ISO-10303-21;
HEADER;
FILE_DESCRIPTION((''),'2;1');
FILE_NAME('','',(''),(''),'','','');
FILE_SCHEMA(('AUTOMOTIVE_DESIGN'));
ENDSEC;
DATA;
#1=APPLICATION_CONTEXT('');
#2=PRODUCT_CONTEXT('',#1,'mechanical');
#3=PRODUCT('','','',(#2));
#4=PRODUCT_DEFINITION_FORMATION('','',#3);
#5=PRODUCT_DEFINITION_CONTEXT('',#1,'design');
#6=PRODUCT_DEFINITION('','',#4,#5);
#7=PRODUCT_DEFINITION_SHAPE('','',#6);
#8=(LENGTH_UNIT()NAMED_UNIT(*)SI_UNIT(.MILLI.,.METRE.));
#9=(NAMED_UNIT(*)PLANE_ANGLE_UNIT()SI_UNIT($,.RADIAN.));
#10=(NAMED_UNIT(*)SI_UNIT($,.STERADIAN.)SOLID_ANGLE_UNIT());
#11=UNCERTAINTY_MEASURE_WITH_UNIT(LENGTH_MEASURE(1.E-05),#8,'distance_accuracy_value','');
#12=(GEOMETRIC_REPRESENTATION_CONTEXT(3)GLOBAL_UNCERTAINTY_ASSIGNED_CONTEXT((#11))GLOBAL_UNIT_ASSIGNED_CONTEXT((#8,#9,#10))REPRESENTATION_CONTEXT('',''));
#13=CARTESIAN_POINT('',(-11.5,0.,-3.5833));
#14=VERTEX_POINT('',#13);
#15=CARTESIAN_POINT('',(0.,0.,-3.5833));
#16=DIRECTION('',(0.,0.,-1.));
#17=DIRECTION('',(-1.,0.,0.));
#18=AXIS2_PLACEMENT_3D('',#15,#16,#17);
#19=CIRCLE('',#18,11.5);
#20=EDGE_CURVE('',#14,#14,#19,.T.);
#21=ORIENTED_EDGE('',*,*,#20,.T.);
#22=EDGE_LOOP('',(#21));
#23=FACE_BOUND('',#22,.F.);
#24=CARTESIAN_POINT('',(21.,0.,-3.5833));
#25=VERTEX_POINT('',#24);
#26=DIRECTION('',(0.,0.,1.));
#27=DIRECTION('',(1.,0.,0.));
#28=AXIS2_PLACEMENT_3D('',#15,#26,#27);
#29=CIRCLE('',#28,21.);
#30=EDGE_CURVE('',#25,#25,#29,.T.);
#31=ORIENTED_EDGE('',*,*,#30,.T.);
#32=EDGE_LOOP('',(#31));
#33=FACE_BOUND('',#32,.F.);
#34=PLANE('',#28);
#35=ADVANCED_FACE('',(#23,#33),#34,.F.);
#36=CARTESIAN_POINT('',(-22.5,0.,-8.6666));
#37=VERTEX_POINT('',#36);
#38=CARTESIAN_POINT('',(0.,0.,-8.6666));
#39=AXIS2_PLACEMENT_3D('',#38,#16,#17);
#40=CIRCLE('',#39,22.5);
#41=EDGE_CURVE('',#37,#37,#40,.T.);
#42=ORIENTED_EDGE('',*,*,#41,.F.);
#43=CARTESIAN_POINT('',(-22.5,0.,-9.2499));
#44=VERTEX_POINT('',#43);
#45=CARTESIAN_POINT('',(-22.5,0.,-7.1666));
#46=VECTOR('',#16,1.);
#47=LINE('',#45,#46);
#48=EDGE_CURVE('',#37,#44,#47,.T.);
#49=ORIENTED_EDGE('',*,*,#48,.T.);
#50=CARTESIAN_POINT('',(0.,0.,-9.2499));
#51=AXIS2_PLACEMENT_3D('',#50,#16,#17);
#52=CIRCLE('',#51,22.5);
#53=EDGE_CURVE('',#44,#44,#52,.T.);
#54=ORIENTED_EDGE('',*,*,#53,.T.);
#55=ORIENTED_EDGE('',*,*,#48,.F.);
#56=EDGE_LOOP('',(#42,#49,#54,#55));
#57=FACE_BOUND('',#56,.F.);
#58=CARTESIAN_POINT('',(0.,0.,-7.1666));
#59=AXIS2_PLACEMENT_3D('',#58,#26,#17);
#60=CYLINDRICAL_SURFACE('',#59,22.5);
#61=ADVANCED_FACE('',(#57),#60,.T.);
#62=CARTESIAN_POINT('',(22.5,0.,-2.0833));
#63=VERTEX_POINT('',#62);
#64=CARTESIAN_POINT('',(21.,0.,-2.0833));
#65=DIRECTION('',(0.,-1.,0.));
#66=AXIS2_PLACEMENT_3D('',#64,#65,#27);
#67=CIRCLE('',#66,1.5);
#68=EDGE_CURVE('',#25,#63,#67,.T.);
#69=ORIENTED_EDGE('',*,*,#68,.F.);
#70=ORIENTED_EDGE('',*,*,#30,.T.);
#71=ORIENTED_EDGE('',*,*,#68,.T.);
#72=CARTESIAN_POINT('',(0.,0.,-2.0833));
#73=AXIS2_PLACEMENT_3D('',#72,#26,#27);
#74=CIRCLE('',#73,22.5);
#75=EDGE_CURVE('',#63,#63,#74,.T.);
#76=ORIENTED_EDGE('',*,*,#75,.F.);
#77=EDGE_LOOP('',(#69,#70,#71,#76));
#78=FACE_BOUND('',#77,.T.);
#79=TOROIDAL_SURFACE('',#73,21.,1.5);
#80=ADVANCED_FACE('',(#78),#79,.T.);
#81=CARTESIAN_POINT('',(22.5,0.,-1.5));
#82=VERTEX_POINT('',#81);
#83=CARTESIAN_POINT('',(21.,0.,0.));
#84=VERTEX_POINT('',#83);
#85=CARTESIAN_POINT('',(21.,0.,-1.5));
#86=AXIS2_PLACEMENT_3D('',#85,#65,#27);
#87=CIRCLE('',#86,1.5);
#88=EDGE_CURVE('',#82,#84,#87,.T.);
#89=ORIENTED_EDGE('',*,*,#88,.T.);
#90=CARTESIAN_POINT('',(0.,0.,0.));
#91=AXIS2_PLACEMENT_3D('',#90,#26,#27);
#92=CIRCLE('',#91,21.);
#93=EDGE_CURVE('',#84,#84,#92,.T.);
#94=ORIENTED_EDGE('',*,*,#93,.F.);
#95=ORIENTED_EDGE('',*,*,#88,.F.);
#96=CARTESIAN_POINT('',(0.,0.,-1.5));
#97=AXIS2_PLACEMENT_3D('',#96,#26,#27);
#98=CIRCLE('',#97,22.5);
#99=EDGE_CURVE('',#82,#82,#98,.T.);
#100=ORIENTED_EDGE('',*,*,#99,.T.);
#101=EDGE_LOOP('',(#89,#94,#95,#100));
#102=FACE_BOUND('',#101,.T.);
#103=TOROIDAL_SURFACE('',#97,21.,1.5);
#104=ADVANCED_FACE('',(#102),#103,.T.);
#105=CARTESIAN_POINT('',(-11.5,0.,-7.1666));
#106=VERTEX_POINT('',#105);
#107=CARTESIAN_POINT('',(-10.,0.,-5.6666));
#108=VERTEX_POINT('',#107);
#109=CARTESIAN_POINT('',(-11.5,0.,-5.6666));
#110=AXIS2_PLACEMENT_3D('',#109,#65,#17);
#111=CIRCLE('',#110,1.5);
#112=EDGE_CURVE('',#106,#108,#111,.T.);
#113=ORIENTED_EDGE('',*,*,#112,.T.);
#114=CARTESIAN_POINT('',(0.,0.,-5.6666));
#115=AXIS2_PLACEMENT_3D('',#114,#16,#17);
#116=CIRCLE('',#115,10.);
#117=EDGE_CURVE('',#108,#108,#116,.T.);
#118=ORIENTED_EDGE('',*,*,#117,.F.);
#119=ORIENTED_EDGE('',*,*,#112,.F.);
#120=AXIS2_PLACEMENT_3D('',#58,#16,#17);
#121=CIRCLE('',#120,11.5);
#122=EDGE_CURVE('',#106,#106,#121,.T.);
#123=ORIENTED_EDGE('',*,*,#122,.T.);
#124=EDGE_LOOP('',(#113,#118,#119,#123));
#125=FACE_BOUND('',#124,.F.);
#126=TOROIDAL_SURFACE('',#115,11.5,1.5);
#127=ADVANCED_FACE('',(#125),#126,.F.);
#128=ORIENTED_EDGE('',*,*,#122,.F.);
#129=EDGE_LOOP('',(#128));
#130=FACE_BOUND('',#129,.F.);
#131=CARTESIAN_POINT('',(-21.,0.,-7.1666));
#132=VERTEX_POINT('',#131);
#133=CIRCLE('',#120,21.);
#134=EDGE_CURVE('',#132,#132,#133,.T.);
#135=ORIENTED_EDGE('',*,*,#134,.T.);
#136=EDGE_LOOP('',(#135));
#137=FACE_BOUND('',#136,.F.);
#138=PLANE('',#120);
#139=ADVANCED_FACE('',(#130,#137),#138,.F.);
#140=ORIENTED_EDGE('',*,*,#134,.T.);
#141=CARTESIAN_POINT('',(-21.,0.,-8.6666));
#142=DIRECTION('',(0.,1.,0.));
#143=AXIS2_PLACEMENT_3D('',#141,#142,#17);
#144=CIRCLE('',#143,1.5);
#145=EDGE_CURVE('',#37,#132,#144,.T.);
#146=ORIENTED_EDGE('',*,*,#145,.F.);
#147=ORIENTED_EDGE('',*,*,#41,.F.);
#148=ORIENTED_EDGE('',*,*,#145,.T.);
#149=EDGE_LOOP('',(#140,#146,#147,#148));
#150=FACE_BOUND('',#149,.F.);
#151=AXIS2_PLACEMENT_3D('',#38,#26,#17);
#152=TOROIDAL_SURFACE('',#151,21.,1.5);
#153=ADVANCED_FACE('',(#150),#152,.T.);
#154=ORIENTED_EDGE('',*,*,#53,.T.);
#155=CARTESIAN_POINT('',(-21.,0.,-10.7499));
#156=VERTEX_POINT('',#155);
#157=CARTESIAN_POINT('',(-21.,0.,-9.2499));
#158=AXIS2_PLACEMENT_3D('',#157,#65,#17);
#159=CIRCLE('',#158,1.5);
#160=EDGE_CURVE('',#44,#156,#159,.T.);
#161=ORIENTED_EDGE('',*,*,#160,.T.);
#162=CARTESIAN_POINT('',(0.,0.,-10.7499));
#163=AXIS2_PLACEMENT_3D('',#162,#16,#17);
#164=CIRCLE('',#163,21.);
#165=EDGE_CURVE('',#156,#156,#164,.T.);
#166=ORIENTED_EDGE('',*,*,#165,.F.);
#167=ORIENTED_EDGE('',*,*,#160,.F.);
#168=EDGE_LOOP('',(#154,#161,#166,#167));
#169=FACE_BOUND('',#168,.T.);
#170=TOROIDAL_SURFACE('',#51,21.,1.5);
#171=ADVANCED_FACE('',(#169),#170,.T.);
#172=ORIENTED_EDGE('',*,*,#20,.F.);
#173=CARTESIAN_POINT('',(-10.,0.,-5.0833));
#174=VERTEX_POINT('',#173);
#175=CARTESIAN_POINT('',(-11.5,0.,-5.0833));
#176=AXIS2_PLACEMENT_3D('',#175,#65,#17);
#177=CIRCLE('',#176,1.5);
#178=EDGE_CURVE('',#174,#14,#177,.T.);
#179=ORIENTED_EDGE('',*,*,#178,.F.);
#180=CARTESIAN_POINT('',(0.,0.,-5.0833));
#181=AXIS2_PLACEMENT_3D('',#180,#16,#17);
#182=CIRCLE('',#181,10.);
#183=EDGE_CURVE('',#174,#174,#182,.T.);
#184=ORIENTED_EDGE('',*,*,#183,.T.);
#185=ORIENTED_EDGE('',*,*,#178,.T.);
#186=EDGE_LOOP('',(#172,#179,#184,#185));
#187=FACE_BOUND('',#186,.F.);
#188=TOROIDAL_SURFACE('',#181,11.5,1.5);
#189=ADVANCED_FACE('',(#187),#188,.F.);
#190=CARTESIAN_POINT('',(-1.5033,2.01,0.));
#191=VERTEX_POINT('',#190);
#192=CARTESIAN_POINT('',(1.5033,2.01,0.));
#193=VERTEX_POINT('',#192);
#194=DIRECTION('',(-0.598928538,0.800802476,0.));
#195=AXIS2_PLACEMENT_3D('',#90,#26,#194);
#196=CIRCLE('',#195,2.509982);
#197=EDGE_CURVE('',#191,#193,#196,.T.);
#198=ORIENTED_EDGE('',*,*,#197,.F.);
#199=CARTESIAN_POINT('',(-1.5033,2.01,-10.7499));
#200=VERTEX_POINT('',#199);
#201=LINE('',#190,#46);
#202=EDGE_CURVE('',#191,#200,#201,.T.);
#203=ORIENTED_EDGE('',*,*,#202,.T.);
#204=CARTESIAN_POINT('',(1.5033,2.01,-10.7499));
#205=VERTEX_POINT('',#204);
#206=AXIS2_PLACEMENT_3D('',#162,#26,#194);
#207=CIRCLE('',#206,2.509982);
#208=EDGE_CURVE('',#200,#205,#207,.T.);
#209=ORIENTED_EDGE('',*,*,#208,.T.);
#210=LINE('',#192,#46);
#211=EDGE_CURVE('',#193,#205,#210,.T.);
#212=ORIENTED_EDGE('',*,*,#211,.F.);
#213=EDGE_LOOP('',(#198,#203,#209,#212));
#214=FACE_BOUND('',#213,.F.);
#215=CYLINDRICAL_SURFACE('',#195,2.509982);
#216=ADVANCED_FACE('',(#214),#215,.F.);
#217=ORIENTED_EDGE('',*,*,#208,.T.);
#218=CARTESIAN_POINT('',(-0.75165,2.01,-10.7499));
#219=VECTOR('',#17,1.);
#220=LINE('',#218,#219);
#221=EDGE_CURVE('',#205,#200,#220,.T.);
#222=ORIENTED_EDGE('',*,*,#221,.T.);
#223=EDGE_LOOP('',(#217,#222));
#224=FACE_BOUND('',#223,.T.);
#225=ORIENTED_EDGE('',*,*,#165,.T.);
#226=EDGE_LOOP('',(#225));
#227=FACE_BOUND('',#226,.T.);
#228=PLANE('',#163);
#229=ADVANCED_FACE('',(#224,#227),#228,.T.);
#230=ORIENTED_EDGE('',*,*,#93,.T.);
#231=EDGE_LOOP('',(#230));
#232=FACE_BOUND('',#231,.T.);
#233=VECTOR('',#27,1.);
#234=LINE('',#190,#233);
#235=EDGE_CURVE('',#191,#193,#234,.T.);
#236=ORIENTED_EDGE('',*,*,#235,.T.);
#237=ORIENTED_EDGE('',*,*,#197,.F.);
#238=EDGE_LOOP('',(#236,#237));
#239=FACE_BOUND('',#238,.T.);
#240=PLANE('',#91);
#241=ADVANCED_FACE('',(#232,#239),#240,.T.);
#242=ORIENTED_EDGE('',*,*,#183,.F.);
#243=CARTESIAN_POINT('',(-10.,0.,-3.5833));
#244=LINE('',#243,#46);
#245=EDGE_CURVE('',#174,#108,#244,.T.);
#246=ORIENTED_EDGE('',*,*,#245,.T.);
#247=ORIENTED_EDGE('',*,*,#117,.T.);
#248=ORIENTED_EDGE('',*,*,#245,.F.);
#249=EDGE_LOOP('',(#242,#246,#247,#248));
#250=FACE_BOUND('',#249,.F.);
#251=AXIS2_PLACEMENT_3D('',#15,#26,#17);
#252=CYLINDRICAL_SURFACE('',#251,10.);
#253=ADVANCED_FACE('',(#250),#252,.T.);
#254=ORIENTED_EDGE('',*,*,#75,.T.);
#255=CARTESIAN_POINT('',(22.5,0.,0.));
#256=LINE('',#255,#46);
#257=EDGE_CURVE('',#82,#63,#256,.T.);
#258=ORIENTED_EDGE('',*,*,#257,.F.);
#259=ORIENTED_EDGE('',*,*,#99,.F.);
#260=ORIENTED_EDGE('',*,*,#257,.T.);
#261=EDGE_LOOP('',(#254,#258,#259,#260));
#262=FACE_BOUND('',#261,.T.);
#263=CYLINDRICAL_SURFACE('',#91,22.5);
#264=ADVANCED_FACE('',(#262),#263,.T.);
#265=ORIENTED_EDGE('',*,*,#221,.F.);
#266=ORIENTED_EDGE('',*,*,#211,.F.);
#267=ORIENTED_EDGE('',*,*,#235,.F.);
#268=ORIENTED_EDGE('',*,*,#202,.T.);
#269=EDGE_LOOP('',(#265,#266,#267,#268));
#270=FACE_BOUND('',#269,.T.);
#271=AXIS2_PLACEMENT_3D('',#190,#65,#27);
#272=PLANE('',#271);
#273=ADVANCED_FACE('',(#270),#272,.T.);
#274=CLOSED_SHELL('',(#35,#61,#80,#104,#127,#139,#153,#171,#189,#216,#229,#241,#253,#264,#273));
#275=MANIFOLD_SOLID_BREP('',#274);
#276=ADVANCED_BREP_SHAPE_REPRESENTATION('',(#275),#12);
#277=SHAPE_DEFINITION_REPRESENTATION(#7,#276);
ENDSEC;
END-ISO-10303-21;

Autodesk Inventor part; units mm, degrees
ref_plane "YZ Plane" through (0, 0, 0) normal (1, 0, 0) x (0, 1, 0)
ref_plane "XZ Plane" through (0, 0, 0) normal (0, 1, 0) x (-1, 0, 0)
ref_plane "XY Plane" through (0, 0, 0) normal (0, 0, 1) x (1, 0, 0)
sketch "Sketch1" plane through (0, 0, 0) normal (0, 0, 1) x (1, 0, 0)
  circle A0 centre (0, 0) radius 22.5
  dimension "d0" = 45
extrude "Extrusion1" add sketch "Sketch1" against normal blind 3.5833
sketch "Sketch2" plane through (0, 0, -3.5833) normal (0, 0, -1) x (-1, 0, 0)
  circle A0 centre (0, 0) radius 10
  dimension "d14" = 20
extrude "Extrusion2" add sketch "Sketch2" along normal blind 3.5833
sketch "Sketch3" plane through (0, 0, -7.1666) normal (0, 0, -1) x (-1, 0, 0)
  circle A0 centre (0, 0) radius 22.5
  dimension "d19" = 45
extrude "Extrusion3" add sketch "Sketch3" along normal blind 3.5833
fillet "Fillet2" radius 1.5 6 edges at (-22.5, 0, 0) (22.5, 0, -7.1666) (22.5, 0, -10.7499) (-22.5, 0, -3.5833) (10, 0, -7.1666) (10, 0, -3.5833)
sketch "Sketch4" plane through (0, 0, 0) normal (0, 0, 1) x (1, 0, 0)
  arc A0 (-1.5033, 2.01) -> (1.5033, 2.01) centre (0, 0) ccw
  line L0 (-1.5033, 2.01) -> (1.5033, 2.01)
  dimension "d15" = 5.02
extrude "Extrusion4" cut sketch "Sketch4" against normal through all
properties part number "Motor Spool For Door Opener Without Set Screw" material "ABS Plastic"
